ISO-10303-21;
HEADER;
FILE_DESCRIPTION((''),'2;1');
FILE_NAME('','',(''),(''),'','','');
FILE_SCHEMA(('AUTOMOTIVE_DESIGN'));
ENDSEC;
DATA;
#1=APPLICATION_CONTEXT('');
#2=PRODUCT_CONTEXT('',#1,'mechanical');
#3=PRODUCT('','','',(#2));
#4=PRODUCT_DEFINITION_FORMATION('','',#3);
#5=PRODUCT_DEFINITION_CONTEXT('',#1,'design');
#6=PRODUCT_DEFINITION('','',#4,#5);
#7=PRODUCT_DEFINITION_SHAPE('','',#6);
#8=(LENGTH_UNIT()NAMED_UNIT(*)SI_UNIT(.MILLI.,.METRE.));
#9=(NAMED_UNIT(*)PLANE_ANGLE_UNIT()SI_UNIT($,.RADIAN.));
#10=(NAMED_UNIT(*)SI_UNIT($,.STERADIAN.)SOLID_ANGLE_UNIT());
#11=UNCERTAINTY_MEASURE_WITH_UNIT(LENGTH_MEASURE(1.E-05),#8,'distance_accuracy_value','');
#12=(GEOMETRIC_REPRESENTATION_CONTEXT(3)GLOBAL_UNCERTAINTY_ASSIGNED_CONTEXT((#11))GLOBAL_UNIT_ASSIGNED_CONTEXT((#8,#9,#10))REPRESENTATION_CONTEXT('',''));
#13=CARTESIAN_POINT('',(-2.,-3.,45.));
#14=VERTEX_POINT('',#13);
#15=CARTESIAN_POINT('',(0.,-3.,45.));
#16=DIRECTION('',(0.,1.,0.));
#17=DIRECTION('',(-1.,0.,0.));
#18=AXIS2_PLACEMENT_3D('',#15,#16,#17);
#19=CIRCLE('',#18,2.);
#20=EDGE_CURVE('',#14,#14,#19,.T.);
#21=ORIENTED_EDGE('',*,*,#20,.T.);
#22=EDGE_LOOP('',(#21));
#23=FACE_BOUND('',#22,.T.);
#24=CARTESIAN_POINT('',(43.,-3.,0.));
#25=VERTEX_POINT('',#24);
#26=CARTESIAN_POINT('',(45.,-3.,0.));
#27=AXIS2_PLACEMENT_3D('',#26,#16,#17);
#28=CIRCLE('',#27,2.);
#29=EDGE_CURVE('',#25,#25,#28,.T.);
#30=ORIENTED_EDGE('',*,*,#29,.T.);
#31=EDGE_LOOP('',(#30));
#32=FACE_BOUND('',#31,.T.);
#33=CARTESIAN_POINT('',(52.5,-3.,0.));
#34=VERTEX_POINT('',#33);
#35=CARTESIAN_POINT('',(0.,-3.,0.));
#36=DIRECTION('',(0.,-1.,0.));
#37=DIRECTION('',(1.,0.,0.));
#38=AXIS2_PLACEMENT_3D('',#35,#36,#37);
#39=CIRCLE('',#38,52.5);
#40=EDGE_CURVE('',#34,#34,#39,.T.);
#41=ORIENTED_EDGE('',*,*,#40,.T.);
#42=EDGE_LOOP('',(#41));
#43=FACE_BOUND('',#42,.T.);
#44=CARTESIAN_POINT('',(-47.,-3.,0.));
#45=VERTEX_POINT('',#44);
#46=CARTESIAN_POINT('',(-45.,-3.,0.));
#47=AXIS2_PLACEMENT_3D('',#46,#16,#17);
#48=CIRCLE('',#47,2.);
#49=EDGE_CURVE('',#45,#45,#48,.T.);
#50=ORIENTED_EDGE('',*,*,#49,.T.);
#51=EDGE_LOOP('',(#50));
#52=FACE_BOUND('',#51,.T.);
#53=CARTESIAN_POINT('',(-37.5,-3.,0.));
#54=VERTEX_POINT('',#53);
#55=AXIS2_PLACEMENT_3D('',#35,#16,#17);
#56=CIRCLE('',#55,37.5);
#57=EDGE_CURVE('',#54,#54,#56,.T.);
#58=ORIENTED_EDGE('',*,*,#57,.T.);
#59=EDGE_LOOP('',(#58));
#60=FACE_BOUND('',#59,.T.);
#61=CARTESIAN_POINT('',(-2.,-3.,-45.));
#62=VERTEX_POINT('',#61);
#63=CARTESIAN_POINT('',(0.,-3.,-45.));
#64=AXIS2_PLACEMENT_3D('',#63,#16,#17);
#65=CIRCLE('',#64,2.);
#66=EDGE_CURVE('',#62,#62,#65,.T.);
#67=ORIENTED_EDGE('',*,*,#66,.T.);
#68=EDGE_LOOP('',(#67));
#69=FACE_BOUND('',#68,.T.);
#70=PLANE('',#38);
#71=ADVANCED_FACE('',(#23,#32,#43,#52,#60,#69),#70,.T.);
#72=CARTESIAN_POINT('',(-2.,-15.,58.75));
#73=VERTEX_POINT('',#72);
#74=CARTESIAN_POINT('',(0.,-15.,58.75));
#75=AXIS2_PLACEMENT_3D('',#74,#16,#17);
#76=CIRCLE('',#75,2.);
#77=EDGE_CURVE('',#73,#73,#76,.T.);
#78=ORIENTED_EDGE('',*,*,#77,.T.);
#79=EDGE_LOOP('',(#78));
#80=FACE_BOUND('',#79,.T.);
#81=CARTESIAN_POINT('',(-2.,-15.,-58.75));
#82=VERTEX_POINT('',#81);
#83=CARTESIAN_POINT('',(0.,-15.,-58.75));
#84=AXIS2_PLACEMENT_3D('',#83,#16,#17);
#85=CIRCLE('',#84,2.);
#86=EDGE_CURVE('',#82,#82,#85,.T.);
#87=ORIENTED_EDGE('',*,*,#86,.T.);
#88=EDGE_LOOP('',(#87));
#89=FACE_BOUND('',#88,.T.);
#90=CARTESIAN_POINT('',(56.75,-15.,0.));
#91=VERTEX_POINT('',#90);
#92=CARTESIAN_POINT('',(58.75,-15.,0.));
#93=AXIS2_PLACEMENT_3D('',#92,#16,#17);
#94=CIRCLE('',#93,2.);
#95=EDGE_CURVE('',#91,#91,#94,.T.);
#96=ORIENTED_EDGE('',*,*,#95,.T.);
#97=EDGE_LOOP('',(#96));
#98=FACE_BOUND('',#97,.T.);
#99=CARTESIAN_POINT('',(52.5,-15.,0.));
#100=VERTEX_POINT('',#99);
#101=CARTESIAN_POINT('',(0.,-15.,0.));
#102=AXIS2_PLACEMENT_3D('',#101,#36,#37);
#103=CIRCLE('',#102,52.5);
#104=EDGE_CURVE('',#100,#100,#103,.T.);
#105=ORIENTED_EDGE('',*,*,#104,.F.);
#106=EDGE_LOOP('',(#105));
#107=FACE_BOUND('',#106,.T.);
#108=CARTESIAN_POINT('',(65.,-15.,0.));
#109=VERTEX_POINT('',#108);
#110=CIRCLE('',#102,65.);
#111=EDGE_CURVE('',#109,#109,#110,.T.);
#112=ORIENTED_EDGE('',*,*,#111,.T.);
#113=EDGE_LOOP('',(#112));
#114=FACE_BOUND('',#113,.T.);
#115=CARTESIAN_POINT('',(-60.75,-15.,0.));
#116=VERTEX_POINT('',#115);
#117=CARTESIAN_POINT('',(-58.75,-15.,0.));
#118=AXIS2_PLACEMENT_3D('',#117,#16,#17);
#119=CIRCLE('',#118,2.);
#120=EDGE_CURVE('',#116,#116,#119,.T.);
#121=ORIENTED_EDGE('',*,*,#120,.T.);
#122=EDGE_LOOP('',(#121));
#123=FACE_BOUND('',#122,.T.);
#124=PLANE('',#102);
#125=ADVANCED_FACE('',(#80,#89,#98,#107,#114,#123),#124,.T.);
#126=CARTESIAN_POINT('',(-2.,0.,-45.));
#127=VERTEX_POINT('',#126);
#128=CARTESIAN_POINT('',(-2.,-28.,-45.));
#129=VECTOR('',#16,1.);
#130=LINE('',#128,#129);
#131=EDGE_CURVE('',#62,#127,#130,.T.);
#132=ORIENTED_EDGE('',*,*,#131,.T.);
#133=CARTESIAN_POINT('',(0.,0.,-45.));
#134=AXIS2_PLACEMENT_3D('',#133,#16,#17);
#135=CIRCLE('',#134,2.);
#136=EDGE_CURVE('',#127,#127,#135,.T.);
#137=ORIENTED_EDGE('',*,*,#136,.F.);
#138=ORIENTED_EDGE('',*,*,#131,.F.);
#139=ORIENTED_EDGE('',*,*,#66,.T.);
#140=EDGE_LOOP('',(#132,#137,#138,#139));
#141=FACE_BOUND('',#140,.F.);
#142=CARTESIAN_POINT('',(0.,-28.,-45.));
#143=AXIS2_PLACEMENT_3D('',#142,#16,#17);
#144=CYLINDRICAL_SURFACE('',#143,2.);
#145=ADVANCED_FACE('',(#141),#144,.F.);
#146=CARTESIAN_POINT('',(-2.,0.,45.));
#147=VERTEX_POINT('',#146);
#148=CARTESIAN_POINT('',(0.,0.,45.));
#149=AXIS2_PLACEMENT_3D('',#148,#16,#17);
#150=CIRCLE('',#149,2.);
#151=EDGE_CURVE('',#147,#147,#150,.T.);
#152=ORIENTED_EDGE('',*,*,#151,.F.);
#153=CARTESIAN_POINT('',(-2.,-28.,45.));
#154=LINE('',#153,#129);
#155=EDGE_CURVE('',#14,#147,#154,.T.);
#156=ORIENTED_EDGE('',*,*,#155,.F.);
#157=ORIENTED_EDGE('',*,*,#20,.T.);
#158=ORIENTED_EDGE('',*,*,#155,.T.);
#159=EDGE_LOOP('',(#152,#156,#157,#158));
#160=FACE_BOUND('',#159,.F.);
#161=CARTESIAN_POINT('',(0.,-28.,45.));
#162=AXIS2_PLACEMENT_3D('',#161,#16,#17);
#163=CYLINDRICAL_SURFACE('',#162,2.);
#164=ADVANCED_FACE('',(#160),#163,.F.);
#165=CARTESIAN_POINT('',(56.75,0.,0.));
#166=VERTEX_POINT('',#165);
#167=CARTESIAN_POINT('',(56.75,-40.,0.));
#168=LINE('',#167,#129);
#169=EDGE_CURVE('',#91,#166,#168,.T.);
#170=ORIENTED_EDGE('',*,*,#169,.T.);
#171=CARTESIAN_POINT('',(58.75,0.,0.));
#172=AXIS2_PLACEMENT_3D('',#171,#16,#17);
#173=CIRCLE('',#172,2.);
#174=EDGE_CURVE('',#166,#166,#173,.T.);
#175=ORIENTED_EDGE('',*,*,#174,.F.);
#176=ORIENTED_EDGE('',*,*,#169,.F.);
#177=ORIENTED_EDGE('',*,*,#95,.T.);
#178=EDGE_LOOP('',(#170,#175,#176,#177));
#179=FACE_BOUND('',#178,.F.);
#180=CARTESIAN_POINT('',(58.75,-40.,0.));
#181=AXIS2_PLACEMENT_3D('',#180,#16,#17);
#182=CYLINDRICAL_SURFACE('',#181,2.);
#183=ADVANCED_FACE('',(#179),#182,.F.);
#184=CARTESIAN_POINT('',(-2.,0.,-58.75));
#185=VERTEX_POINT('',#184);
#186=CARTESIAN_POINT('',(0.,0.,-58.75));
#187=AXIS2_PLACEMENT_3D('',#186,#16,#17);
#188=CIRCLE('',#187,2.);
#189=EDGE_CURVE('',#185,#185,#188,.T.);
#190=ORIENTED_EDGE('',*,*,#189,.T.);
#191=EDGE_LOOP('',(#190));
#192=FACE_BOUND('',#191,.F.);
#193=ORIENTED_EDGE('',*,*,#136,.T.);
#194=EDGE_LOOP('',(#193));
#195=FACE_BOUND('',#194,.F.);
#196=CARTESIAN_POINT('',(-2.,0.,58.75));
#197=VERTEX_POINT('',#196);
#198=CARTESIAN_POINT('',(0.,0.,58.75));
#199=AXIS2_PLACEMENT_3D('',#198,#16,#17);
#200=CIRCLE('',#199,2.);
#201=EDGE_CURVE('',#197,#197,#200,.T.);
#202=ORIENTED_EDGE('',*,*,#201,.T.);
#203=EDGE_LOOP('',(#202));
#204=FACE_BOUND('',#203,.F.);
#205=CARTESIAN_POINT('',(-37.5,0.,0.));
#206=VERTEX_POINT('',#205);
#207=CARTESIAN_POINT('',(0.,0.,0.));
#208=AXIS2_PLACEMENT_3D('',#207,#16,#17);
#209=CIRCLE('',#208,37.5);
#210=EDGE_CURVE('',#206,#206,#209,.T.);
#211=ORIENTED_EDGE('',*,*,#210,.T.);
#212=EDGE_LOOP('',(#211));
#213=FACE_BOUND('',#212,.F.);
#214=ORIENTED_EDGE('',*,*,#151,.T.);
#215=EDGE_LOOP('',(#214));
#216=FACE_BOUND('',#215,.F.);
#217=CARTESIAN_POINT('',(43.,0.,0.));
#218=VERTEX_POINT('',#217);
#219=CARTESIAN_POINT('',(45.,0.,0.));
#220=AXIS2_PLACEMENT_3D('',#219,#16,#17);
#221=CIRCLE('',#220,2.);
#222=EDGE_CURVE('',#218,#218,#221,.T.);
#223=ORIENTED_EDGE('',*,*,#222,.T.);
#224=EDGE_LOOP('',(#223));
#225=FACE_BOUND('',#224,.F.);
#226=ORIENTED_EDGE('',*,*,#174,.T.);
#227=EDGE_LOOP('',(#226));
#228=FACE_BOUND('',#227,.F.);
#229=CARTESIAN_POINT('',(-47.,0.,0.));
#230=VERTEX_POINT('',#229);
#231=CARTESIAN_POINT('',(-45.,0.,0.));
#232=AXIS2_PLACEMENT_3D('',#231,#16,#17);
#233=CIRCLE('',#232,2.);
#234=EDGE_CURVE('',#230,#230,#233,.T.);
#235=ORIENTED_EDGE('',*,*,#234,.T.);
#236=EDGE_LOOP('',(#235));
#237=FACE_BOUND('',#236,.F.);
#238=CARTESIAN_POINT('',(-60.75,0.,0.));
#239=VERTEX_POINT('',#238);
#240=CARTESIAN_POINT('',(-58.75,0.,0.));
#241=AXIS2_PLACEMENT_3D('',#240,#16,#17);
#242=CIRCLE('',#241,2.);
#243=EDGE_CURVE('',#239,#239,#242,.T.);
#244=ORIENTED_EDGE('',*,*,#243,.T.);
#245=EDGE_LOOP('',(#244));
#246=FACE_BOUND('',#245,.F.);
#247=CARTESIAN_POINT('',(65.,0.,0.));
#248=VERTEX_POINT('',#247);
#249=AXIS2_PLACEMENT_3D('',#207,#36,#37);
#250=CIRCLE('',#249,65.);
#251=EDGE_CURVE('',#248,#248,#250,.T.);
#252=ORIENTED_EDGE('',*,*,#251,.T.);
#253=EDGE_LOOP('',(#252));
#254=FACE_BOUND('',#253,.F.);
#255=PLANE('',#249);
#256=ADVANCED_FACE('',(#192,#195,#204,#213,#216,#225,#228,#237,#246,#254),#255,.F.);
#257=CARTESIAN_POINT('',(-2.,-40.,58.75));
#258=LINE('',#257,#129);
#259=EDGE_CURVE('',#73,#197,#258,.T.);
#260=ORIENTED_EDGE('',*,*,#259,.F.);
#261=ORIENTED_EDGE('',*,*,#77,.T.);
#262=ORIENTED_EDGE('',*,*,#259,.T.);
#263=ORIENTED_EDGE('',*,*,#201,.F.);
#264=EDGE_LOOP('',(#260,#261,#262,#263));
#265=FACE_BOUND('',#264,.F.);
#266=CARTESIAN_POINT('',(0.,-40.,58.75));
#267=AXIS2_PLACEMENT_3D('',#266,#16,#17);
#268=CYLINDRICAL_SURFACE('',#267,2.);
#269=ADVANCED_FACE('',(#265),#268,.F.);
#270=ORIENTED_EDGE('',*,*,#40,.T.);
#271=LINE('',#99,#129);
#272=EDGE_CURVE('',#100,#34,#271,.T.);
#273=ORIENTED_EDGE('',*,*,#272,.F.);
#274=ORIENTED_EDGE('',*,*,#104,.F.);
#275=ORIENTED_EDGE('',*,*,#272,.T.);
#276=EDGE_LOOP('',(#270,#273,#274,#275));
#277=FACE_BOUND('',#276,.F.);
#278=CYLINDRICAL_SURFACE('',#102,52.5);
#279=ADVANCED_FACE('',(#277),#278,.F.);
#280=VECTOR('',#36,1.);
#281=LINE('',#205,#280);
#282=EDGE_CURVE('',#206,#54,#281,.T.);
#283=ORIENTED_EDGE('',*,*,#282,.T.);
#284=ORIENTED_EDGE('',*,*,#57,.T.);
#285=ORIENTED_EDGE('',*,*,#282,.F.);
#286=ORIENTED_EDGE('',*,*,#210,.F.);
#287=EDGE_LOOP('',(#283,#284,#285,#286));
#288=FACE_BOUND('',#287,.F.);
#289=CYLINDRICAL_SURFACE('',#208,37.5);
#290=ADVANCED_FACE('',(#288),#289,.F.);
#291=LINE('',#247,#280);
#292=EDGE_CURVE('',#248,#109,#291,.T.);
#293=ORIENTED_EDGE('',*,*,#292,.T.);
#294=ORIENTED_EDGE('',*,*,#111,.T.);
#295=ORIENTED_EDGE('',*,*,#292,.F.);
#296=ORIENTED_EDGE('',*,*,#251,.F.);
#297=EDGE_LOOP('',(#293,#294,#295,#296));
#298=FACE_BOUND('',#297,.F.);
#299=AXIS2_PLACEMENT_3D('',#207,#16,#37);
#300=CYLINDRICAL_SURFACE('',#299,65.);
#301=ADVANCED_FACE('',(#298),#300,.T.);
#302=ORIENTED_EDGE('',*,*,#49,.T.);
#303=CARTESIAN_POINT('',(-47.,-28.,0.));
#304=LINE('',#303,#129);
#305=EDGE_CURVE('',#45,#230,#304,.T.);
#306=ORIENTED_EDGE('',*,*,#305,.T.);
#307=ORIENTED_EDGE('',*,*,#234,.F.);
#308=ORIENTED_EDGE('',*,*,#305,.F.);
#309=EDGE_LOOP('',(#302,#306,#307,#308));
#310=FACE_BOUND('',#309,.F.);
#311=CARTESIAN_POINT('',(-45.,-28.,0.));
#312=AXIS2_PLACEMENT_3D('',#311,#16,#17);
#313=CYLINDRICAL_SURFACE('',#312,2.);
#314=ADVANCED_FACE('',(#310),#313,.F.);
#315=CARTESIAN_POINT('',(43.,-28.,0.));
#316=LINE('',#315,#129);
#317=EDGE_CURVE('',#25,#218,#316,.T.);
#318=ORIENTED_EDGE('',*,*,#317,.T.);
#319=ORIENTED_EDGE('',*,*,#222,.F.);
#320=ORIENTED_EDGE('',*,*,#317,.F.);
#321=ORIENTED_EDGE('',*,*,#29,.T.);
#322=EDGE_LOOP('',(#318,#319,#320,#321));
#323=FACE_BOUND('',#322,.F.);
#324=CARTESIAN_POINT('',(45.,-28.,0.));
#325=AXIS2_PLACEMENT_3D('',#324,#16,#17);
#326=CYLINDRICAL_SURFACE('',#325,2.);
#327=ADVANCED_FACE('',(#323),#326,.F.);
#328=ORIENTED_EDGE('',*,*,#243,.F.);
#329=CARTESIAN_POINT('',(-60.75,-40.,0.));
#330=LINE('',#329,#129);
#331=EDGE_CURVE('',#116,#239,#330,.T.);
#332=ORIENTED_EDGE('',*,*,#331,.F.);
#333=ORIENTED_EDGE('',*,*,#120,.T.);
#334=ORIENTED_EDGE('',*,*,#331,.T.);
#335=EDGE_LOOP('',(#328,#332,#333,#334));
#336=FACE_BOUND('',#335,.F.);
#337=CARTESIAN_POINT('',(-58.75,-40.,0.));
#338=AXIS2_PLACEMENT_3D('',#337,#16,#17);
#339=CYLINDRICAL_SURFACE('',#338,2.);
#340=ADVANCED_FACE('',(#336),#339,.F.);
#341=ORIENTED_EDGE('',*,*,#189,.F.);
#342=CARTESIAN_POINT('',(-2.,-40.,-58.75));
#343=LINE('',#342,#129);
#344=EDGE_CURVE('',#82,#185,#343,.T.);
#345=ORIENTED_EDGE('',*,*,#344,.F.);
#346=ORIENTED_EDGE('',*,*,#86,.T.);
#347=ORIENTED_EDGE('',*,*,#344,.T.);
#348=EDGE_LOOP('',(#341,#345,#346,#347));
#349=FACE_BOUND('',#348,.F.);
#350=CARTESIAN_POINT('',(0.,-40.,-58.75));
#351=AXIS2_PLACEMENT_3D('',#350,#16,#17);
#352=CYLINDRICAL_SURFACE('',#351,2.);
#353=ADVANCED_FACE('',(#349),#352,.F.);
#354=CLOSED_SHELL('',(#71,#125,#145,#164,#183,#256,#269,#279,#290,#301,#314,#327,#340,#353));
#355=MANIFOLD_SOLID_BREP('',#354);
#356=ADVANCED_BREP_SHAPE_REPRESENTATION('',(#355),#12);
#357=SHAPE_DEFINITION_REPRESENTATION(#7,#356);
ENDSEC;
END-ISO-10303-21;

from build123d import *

# Parameters (mm, degrees)
F0_R     = 65
F1_DEPTH = 15
F2_R     = 52.5
F3_DEPTH = 12
F5_D     = 4
F5_DEPTH = 25
F7_D     = 4
F7_DEPTH = 25
F8_R     = 37.5
F9_DEPTH = 25


with BuildPart() as f1:
    # F0 (on Front) → F1 (new body)
    with BuildSketch(Plane.XZ):
        Circle(F0_R)
    extrude(amount=F1_DEPTH)

    # F2 (on face) → F3 (cut)
    with BuildSketch(Plane.XZ.offset(15)):
        Circle(F2_R)
    extrude(amount=-F3_DEPTH, mode=Mode.SUBTRACT)

    # F5
    with Locations(Plane.XZ.offset(15)):
        with Locations((-58.75, 0), (0, 58.75), (58.75, 0), (0, -58.75)):
            Hole(F5_D / 2, depth=F5_DEPTH)

    # F7
    with Locations(Plane.XZ.offset(3)):
        with Locations((0, 45), (-45, 0), (45, 0), (0, -45)):
            Hole(F7_D / 2, depth=F7_DEPTH)

    # F8 (on face) → F9 (cut)
    with BuildSketch(Plane(origin=(0, 0, 0), x_dir=(-1, 0, 0), z_dir=(0, 1, 0))):
        Circle(F8_R)
    extrude(amount=-F9_DEPTH, mode=Mode.SUBTRACT)


solid = f1.part
